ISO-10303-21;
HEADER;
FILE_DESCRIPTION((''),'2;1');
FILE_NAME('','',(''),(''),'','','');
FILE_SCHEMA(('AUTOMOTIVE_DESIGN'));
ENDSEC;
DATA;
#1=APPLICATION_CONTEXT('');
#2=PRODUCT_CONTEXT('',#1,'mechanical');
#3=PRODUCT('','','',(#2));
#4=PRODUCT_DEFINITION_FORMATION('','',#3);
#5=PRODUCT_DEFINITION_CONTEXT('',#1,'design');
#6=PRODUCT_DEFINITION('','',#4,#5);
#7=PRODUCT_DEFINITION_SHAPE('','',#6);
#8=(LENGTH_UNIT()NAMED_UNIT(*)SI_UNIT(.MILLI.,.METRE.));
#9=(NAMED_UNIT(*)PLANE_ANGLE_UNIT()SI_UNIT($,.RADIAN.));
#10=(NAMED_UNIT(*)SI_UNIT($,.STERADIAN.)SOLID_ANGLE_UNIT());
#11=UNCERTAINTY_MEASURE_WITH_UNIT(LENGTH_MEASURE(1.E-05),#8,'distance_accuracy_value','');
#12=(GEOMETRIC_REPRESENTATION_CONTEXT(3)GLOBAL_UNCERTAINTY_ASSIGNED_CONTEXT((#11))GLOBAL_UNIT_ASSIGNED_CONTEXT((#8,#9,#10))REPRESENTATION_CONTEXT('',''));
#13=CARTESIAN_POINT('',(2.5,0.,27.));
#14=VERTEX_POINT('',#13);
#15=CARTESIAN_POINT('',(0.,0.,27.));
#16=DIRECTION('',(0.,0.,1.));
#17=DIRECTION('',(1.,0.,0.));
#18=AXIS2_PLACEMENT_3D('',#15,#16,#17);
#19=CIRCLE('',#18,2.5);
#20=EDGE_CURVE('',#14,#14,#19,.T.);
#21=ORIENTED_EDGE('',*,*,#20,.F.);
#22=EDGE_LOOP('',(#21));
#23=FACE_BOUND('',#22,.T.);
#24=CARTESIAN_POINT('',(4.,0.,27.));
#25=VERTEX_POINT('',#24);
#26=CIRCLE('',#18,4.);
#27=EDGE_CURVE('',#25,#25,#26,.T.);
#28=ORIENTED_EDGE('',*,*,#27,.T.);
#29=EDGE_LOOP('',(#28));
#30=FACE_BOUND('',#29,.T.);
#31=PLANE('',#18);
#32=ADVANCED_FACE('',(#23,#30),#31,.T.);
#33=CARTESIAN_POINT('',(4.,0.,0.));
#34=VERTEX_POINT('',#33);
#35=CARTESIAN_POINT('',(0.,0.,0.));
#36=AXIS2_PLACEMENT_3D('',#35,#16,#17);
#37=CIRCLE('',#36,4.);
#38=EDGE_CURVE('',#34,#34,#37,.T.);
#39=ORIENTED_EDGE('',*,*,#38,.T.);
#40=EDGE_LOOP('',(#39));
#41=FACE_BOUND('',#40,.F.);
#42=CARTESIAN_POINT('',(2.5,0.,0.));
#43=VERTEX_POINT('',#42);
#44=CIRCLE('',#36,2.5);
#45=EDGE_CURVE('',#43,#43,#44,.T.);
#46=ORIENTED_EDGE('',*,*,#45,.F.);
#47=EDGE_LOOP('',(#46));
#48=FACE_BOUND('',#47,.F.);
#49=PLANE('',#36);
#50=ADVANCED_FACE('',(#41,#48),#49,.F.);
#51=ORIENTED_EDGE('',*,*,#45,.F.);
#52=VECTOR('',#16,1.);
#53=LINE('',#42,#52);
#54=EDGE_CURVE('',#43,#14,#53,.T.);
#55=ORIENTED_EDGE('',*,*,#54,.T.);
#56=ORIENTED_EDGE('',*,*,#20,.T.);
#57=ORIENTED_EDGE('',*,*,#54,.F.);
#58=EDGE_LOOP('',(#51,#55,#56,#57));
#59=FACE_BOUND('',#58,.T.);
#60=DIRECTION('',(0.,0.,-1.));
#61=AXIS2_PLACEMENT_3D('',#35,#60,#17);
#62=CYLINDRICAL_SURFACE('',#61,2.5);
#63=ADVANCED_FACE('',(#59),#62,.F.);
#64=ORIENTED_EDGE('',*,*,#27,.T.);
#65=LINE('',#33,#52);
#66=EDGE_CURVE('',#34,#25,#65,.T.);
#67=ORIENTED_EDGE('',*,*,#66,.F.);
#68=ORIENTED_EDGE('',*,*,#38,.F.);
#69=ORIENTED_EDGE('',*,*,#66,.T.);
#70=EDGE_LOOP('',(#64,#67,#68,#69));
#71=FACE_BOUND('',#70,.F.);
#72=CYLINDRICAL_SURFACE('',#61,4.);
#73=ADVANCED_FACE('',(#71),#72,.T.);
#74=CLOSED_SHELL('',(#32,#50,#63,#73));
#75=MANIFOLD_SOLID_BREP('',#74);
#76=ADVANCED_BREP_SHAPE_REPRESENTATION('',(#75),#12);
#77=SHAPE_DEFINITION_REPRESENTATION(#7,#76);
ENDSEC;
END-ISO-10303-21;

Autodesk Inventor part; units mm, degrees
ref_plane "YZ Plane" through (0, 0, 0) normal (1, 0, 0) x (0, 1, 0)
ref_plane "XZ Plane" through (0, 0, 0) normal (0, 1, 0) x (-1, 0, 0)
ref_plane "XY Plane" through (0, 0, 0) normal (0, 0, 1) x (1, 0, 0)
sketch "Эскиз1" plane through (0, 0, 0) normal (0, 0, 1) x (1, 0, 0)
  circle A0 centre (0, 0) radius 2.5
  circle A1 centre (0, 0) radius 4
  dimension "d0" = 5
  dimension "d1" = 8
extrude "Выдавливание1" add sketch "Эскиз1" along normal blind 27
properties part number "Трубка рычага"
